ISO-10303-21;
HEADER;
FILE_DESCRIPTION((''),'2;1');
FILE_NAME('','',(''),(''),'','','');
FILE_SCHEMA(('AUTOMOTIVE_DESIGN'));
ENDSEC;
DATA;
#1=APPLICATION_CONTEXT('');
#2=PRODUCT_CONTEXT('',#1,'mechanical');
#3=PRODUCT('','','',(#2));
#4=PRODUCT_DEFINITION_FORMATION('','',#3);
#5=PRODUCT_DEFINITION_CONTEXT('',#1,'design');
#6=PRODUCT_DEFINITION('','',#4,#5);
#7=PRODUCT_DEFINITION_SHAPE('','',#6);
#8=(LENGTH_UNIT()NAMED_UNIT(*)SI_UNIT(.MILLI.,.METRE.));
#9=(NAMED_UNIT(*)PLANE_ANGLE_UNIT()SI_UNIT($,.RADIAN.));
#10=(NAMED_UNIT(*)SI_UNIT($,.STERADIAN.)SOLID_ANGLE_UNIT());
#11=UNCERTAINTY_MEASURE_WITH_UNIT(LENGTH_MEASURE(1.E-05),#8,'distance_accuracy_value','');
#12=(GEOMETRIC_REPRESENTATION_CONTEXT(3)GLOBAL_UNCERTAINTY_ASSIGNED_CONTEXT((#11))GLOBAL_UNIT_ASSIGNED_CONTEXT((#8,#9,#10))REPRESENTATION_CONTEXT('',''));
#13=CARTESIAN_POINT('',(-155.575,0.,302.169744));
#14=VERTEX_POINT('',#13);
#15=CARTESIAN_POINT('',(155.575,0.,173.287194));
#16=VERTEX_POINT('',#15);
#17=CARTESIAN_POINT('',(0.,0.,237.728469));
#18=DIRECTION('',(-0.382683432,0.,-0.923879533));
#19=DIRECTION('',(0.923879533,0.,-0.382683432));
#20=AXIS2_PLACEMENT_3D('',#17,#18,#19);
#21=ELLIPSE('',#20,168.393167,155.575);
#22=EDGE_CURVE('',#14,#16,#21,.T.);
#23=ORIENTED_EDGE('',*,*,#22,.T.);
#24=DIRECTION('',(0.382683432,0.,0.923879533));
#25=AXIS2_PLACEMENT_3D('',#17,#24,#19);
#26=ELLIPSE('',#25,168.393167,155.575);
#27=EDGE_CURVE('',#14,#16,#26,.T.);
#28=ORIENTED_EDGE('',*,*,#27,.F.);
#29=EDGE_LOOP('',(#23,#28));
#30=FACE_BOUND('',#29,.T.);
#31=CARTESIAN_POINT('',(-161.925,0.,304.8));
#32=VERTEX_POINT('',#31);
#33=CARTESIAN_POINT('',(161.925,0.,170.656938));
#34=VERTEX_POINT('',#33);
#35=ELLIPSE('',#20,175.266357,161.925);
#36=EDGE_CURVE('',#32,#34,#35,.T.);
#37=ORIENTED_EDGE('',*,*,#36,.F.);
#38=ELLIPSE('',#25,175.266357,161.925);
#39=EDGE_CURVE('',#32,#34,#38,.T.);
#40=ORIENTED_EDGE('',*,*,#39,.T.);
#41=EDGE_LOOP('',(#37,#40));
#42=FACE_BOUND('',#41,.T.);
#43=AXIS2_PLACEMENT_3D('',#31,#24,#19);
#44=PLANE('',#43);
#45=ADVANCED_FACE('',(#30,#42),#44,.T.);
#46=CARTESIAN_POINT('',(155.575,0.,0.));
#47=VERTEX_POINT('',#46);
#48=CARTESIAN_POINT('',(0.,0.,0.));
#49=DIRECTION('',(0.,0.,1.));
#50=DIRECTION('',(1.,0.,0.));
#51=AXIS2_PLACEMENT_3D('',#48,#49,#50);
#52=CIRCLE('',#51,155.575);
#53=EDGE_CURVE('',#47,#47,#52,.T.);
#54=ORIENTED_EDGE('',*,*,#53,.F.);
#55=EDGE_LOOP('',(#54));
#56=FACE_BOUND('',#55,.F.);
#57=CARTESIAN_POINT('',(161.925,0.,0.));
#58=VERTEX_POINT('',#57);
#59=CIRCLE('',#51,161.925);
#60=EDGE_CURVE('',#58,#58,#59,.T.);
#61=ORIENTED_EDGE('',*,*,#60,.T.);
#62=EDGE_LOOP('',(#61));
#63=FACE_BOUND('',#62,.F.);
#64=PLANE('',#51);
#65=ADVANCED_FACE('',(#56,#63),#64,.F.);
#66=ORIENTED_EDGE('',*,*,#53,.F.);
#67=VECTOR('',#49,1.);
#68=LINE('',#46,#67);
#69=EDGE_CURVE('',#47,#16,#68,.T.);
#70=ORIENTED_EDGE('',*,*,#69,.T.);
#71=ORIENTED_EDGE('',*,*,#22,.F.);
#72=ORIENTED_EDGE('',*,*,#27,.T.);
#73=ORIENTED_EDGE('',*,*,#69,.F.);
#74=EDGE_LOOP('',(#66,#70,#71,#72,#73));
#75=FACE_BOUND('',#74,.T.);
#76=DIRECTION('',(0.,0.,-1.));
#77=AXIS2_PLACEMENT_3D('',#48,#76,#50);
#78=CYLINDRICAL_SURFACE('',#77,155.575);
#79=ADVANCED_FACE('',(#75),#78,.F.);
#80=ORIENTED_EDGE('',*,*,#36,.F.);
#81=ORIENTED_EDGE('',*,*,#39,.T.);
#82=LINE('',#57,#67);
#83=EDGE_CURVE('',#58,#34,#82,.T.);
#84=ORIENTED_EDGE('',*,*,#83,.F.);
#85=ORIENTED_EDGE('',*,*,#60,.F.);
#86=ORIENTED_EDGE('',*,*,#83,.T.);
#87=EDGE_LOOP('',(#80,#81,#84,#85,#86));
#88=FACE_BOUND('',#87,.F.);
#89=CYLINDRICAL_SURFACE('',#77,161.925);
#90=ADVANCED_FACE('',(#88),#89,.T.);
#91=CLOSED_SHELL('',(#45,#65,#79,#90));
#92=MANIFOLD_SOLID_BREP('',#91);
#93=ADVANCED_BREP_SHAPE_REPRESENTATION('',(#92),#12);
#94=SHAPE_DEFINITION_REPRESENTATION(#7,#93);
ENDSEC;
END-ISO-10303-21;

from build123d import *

# Parameters (mm, degrees)
F0_R          = 161.925
F0_R_2        = 155.575
F1_DEPTH      = 304.8
F3_DEPTH      = 161.926
F3_DEPTH_BACK = 161.926


with BuildPart() as f1:
    # F0 (on Top) → F1 (new body)
    with BuildSketch(Plane.XY):
        Circle(F0_R)
        Circle(F0_R_2, mode=Mode.SUBTRACT)
    extrude(amount=F1_DEPTH)

    # F2 (on Front) → F3 (cut, two sides)
    with BuildSketch(Plane.XZ) as f3_sk:
        Polygon((-161.925, 423.6930012703), (-161.925, 304.8), (161.925, 170.6569378255), (165.9864187241, 433.4666728973), align=None)
    extrude(amount=-F3_DEPTH, mode=Mode.SUBTRACT)
    extrude(f3_sk.sketch, amount=F3_DEPTH_BACK, mode=Mode.SUBTRACT)


solid = f1.part
